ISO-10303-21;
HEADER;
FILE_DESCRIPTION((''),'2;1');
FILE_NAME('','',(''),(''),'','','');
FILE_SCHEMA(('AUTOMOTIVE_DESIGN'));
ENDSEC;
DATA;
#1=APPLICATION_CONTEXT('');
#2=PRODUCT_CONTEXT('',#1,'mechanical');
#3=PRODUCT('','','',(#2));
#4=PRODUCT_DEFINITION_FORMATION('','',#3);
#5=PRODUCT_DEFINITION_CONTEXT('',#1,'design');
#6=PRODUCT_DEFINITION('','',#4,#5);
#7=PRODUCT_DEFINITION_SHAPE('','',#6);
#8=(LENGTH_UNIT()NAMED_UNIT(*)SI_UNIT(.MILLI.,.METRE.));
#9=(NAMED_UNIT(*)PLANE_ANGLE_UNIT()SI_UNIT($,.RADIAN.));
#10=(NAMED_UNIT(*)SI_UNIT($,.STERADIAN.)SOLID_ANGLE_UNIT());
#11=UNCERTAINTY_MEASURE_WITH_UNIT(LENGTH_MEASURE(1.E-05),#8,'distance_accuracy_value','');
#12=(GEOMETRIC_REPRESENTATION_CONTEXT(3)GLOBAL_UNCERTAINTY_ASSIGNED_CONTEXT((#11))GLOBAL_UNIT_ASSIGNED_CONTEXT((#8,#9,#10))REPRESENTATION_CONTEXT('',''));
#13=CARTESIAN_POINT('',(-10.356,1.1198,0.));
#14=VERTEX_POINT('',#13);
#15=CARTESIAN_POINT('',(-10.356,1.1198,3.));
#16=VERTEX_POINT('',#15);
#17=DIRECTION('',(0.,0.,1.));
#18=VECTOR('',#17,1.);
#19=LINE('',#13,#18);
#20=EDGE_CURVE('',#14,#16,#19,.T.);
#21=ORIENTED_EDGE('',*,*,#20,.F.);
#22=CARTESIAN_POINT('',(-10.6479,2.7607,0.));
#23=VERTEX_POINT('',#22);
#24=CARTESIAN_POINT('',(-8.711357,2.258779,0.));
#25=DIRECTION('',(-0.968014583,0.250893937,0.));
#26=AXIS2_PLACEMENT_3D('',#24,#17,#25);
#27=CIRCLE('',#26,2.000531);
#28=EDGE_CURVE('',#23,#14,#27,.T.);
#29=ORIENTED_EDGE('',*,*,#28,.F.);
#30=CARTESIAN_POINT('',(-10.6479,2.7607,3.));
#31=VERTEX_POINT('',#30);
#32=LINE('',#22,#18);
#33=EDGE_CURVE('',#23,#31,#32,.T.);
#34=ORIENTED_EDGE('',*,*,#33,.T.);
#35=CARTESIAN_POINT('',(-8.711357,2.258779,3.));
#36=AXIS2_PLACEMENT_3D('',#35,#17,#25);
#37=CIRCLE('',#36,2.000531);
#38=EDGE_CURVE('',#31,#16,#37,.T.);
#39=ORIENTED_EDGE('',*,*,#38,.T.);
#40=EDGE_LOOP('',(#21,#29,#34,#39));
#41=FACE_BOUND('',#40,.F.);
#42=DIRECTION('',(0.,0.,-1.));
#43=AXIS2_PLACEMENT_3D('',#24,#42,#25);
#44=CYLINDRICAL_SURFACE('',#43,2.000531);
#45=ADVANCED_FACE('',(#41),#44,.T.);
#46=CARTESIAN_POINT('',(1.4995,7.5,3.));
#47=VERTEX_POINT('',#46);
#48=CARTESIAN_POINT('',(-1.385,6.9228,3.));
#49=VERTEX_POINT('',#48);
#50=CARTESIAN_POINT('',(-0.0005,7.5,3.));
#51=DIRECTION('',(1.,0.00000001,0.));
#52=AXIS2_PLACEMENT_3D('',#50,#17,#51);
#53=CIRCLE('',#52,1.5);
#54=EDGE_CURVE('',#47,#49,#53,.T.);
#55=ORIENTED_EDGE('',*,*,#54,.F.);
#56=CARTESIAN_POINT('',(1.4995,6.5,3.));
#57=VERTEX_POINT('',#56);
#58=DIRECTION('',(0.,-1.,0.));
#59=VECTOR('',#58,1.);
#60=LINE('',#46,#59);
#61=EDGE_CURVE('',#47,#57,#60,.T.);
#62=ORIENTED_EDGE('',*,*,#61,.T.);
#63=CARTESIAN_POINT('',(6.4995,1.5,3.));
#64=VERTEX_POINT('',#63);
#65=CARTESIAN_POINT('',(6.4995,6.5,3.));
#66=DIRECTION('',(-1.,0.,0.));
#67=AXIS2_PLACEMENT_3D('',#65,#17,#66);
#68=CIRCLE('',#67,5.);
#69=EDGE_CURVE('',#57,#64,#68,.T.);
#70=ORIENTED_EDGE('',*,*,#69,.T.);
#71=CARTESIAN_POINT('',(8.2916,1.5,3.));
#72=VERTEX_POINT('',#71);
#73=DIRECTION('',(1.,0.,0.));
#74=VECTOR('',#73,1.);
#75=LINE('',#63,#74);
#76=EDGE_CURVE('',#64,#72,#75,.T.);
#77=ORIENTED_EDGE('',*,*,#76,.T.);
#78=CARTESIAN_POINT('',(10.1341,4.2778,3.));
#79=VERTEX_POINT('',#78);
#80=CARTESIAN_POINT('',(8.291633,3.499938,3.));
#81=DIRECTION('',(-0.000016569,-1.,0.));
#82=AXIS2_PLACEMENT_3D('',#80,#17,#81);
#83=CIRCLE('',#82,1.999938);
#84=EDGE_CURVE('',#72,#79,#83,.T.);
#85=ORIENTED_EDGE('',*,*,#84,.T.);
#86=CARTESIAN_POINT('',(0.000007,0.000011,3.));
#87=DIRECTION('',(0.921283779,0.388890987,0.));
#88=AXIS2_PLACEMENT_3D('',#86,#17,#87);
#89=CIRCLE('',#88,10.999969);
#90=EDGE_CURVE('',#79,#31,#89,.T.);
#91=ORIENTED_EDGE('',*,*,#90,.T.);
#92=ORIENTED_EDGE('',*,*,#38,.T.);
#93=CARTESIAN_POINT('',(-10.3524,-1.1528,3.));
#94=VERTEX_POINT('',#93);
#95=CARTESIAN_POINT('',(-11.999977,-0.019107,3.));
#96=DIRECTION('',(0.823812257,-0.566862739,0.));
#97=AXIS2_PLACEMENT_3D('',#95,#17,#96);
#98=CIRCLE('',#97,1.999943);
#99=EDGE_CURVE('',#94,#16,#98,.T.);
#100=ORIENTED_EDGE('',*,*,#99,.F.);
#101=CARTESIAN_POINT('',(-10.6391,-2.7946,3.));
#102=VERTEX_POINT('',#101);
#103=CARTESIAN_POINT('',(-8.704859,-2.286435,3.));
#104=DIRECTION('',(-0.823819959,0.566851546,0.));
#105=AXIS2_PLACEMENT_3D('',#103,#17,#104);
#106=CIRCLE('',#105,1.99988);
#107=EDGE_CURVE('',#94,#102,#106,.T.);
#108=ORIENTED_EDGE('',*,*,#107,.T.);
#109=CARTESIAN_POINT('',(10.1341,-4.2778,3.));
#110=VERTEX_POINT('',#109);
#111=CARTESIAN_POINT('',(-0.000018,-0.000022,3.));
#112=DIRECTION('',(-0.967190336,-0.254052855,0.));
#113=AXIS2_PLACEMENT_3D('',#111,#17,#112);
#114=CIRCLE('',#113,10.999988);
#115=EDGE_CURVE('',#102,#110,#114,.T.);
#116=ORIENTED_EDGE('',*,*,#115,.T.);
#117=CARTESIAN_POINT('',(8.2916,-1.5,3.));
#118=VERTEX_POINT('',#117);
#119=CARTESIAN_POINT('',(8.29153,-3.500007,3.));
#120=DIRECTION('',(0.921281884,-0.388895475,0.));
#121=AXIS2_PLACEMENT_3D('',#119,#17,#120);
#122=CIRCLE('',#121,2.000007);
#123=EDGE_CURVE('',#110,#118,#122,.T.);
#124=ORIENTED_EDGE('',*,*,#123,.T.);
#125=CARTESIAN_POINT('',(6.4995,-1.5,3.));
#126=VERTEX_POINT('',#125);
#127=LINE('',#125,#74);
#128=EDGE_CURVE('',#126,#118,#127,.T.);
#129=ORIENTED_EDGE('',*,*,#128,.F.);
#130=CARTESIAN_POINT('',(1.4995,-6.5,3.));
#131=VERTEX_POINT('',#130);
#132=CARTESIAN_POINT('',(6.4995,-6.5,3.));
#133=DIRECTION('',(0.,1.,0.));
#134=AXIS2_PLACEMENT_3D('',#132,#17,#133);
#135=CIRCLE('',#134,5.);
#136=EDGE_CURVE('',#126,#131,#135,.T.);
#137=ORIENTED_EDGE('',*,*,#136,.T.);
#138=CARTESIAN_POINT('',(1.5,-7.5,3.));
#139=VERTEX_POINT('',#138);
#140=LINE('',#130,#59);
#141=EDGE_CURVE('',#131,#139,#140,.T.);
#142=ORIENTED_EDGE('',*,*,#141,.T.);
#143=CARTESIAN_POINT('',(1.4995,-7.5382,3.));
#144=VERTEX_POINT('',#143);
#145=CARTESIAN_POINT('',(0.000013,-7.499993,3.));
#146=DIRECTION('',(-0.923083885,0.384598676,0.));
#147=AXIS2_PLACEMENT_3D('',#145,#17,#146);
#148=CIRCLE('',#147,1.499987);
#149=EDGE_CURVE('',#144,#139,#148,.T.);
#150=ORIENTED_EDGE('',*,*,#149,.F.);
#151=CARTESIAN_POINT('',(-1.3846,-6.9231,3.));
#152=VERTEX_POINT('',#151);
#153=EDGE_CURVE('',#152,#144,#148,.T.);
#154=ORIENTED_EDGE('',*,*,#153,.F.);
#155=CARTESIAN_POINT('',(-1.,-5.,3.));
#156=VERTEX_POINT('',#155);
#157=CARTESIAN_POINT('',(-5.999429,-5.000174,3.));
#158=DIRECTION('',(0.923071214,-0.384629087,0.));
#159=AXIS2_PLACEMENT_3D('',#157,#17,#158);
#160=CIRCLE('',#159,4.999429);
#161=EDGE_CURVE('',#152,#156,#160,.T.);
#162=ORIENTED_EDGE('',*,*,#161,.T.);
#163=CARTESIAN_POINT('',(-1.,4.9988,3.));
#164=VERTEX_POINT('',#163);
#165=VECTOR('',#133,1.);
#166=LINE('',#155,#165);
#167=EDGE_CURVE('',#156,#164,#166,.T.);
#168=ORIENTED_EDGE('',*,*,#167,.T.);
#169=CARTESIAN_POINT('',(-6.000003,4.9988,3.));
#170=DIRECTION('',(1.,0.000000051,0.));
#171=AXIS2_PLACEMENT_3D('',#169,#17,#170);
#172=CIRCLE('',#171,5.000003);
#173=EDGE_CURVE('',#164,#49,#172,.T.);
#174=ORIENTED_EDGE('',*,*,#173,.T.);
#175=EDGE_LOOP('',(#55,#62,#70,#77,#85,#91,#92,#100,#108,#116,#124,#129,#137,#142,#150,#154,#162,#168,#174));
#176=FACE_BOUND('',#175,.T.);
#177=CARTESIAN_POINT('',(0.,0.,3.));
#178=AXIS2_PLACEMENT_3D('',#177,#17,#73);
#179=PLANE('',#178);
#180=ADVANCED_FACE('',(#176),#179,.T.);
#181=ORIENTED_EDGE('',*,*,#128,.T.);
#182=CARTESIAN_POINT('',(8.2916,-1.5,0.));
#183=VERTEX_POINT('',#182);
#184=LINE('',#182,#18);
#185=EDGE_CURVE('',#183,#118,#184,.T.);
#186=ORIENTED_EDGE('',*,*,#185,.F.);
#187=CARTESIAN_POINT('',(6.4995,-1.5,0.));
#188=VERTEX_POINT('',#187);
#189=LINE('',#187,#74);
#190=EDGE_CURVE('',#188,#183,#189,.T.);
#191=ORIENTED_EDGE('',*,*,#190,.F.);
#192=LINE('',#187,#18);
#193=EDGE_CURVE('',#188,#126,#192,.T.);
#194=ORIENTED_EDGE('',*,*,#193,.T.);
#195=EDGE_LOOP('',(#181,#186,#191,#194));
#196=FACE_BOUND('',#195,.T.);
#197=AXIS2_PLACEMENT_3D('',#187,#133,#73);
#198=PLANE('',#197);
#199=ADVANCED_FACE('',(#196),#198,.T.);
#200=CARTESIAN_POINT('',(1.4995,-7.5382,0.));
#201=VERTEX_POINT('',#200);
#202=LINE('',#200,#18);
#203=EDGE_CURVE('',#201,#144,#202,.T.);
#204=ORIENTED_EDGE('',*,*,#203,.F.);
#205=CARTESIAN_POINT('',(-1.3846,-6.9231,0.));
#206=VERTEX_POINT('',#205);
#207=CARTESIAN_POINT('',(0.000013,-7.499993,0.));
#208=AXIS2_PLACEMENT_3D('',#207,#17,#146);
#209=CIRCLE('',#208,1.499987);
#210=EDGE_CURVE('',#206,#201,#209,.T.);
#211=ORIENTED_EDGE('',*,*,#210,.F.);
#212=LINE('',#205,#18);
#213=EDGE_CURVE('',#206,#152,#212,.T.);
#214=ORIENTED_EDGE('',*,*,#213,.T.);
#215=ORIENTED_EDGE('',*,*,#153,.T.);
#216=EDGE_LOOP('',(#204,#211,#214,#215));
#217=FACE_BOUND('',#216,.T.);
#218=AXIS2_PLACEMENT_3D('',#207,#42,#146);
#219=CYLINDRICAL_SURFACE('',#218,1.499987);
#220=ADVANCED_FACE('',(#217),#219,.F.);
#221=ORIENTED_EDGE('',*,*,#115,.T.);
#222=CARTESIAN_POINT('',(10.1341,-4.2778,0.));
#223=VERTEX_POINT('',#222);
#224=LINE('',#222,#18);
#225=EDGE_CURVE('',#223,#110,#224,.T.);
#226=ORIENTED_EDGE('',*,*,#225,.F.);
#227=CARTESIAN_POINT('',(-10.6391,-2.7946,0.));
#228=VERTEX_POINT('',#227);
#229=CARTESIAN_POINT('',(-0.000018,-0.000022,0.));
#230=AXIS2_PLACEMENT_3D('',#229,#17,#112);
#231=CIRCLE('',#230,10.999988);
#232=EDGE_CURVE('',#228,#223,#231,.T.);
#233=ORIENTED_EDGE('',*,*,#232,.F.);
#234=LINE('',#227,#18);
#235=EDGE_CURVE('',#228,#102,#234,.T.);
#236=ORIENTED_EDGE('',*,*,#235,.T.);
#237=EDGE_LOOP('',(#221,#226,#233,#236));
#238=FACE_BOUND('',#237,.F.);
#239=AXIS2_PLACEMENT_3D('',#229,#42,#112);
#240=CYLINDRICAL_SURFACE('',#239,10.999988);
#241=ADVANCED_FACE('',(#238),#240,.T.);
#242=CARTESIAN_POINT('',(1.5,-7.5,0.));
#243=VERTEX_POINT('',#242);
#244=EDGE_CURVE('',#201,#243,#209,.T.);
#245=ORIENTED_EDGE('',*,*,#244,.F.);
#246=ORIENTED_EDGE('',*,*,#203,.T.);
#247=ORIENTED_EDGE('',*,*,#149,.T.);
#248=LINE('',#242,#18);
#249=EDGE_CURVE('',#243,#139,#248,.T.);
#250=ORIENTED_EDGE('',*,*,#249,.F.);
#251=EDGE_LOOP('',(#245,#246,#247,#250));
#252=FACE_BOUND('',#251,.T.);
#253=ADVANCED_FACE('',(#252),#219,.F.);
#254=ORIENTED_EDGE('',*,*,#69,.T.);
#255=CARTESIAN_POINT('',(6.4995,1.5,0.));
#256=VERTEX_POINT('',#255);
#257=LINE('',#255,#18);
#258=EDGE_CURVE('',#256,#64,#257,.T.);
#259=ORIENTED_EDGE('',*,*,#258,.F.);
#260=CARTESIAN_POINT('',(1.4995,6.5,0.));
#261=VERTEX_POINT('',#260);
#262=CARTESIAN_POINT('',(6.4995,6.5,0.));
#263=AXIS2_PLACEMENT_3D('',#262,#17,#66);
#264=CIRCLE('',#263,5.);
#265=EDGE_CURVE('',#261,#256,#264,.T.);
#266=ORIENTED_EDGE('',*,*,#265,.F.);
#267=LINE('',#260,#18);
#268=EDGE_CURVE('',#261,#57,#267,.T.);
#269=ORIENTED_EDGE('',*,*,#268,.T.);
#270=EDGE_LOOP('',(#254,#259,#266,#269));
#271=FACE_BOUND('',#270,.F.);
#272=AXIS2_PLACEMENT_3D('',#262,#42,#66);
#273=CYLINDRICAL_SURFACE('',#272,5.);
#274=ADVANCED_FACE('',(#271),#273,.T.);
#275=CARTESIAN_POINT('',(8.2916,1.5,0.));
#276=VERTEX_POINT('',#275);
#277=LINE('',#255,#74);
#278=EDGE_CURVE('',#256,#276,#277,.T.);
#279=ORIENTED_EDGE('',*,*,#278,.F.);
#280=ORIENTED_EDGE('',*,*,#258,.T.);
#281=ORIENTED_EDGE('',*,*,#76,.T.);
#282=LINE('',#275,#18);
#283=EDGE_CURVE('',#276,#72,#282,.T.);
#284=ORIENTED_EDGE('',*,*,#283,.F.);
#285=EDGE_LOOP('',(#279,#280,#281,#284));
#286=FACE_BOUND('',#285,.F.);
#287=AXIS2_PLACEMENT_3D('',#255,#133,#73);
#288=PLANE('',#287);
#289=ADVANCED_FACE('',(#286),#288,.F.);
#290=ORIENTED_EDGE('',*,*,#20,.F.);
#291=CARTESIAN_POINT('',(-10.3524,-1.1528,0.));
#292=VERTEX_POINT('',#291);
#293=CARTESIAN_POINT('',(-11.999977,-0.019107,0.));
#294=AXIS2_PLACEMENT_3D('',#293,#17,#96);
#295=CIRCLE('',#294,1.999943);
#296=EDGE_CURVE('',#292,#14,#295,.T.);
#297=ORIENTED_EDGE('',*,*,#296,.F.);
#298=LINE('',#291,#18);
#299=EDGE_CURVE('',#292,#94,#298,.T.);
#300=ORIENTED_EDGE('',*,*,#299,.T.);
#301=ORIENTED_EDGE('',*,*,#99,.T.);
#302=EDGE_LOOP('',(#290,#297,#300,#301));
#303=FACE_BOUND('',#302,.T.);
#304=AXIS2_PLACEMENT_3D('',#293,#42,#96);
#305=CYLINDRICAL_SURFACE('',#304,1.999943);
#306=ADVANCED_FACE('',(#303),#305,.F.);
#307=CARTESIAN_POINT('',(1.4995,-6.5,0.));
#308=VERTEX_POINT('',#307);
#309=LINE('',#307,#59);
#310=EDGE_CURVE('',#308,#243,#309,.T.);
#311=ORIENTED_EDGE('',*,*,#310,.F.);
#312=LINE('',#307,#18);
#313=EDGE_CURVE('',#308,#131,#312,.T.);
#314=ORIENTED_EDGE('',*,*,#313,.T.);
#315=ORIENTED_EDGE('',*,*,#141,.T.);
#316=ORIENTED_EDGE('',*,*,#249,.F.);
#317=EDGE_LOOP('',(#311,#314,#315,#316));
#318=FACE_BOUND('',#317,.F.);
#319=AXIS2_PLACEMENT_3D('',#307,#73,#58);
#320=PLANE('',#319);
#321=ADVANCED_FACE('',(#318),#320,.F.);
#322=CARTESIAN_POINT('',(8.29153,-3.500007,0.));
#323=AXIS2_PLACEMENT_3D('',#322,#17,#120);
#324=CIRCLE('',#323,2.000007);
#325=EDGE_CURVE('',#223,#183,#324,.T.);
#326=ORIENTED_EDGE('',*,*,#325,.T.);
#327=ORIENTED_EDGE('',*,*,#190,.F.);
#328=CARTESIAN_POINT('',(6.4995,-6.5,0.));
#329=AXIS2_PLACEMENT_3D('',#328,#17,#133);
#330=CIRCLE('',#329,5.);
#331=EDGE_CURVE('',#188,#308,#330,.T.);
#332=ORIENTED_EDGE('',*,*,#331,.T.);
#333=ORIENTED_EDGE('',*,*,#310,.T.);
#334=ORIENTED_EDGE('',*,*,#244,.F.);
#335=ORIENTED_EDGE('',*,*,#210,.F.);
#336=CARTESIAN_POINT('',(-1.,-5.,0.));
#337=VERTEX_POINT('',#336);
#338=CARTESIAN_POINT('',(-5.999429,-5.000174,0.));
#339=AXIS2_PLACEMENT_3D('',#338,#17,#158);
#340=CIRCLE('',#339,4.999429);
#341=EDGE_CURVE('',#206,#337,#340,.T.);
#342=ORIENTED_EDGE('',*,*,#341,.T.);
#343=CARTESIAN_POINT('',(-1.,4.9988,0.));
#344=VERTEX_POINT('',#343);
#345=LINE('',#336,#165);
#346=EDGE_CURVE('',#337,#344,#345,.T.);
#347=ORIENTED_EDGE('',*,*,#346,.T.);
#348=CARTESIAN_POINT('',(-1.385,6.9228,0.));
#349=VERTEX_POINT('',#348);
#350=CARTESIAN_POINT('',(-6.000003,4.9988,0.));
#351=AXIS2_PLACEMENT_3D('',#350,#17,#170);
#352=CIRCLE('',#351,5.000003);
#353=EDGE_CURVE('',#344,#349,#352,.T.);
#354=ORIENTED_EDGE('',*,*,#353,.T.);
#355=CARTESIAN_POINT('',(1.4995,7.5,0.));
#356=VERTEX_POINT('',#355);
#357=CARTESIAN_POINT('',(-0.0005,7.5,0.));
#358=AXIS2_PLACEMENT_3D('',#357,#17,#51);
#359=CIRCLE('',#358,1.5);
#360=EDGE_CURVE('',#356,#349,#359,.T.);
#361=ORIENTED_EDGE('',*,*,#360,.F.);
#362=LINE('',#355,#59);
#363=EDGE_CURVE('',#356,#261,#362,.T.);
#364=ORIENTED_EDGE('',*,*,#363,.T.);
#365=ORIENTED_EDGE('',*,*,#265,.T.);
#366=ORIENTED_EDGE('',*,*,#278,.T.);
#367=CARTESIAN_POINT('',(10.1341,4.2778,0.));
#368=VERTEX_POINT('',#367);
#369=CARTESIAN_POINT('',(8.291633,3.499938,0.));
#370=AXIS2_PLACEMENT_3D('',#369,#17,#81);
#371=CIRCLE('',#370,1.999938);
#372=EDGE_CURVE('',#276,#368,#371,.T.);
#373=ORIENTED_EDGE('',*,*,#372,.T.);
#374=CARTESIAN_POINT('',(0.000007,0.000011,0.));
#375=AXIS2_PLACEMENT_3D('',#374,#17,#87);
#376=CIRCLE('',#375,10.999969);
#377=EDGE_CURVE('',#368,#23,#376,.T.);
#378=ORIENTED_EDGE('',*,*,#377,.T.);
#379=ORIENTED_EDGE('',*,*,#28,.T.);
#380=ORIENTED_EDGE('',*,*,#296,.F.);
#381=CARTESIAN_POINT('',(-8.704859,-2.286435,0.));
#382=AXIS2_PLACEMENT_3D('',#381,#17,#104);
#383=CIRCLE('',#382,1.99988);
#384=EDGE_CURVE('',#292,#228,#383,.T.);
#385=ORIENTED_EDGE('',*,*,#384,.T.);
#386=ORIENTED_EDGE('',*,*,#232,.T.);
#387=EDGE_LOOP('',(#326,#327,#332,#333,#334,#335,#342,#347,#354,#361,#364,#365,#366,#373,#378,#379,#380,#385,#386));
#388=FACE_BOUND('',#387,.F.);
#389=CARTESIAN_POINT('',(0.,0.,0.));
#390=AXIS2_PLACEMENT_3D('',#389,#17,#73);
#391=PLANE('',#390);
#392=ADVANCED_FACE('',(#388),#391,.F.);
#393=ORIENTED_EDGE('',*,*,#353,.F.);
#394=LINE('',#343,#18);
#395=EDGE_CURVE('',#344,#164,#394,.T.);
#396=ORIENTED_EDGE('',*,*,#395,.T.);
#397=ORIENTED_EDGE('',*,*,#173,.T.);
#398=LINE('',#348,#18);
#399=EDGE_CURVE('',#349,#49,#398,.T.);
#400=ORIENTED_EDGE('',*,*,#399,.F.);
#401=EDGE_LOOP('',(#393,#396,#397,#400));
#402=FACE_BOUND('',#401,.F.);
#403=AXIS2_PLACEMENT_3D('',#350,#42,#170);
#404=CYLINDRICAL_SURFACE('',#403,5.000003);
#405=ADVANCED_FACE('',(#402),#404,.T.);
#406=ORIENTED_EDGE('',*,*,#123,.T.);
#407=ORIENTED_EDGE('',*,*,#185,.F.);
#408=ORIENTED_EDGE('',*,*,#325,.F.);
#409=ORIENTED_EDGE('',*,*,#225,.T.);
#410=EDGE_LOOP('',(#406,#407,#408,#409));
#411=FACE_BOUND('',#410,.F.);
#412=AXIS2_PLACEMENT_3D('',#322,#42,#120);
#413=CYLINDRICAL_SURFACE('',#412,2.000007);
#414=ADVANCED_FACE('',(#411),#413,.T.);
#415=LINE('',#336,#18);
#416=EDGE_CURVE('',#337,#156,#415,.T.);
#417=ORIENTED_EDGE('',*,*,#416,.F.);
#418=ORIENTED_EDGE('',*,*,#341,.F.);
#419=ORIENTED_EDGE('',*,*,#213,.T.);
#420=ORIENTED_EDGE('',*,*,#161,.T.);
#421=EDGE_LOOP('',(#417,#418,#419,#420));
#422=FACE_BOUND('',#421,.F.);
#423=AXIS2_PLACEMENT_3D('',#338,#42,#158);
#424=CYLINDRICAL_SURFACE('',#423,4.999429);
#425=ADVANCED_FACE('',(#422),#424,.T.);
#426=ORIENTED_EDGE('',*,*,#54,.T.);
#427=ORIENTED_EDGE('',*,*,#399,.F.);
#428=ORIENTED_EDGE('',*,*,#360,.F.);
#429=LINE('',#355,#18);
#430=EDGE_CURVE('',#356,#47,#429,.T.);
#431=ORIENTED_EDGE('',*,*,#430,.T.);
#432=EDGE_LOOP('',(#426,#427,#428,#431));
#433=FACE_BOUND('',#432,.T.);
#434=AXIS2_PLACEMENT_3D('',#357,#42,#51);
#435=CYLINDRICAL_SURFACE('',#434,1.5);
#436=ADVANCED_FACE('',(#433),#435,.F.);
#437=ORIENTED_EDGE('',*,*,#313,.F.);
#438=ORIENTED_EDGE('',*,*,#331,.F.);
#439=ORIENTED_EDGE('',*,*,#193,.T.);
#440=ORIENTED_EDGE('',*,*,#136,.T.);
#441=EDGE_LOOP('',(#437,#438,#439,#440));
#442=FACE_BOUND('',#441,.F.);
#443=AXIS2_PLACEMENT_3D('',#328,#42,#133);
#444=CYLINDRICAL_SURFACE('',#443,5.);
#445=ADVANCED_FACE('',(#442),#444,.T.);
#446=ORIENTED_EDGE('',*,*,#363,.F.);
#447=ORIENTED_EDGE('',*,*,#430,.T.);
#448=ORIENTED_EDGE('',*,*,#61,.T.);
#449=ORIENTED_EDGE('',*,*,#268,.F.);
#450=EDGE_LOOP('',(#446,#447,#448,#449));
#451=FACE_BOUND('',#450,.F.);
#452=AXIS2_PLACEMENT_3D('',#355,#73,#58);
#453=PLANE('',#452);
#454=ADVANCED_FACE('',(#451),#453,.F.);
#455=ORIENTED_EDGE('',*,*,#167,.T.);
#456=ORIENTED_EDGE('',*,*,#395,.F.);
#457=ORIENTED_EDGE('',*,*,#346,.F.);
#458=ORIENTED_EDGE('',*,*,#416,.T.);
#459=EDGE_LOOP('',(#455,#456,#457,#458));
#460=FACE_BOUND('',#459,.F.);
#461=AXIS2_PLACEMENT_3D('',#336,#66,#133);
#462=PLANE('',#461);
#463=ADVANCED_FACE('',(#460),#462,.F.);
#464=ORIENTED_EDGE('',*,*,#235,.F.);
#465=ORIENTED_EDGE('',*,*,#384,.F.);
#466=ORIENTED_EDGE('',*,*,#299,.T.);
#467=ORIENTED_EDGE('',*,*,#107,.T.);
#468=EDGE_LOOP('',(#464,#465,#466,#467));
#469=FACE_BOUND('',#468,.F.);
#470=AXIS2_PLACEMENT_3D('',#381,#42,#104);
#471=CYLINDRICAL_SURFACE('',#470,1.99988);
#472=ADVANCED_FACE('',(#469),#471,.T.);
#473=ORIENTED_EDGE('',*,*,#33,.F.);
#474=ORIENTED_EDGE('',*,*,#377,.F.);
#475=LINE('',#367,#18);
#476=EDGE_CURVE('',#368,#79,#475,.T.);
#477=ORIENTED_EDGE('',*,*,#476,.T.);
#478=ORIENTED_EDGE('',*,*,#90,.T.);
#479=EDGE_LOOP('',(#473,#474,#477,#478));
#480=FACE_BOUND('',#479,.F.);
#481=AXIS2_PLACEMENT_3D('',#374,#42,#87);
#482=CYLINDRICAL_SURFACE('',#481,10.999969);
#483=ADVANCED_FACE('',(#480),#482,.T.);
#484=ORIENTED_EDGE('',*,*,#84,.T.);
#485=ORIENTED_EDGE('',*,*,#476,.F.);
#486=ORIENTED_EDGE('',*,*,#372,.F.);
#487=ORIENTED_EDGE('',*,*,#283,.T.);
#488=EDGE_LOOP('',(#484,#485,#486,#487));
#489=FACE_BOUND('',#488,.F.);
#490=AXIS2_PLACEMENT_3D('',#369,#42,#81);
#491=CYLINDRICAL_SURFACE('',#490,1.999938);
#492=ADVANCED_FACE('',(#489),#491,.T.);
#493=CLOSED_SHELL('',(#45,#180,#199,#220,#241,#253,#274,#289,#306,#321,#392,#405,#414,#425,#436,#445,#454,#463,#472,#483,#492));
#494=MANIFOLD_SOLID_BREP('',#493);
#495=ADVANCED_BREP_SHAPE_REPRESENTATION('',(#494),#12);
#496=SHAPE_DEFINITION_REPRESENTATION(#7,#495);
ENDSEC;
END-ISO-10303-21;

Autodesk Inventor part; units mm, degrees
ref_plane "YZ Plane" through (0, 0, 0) normal (1, 0, 0) x (0, 1, 0)
ref_plane "XZ Plane" through (0, 0, 0) normal (0, 1, 0) x (-1, 0, 0)
ref_plane "XY Plane" through (0, 0, 0) normal (0, 0, 1) x (1, 0, 0)
sketch "Sketch1" plane through (0, 0, 0) normal (0, 0, 1) x (1, 0, 0)
  arc A0 (1.4995, 7.5) -> (-1.385, 6.9228) centre (-0.0005, 7.5) ccw
  arc A1 (-1.3846, -6.9231) -> (1.5, -7.5) centre (0, -7.5) ccw
  arc A2 (-10.3524, -1.1528) -> (-10.356, 1.1198) centre (-12, -0.0191) ccw
  arc A3 (10.1341, 4.2778) -> (-10.6479, 2.7607) centre (0, 0) ccw
  arc A4 (-10.6391, -2.7946) -> (10.1341, -4.2778) centre (0, 0) ccw
  arc A5 (-10.6479, 2.7607) -> (-10.356, 1.1198) centre (-8.7119, 2.2588) ccw
  arc A6 (-10.3524, -1.1528) -> (-10.6391, -2.7946) centre (-8.7047, -2.2865) ccw
  line L0 (-1, -5) -> (-1, 4.9988)
  arc A7 (-1, 4.9988) -> (-1.385, 6.9228) centre (-6, 4.9988) ccw
  arc A8 (-1.3846, -6.9231) -> (-1, -5) centre (-6, -5) ccw
  line L1 (1.4995, 7.5) -> (1.4995, 6.5)
  line L2 (1.4995, -6.5) -> (1.4995, -7.5382)
  line L3 (6.4995, -1.5) -> (8.2916, -1.5)
  line L4 (6.4995, 1.5) -> (8.2916, 1.5)
  arc A9 (6.4995, -1.5) -> (1.4995, -6.5) centre (6.4995, -6.5) ccw
  arc A10 (1.4995, 6.5) -> (6.4995, 1.5) centre (6.4995, 6.5) ccw
  arc A11 (10.1341, -4.2778) -> (8.2916, -1.5) centre (8.2916, -3.5) ccw
  arc A12 (8.2916, 1.5) -> (10.1341, 4.2778) centre (8.2916, 3.5) ccw
  point P0 (10.8972, -1.5)
  point P1 (10.8972, 1.5)
  point P2 (1.4995, 1.5)
  point P3 (1.4995, -1.5)
  point P4 (-1, -6.382)
  point P5 (-1, 6.3815)
  dimension "d5" = 3
  dimension "d6" = 3
  dimension "d7" = 15
  dimension "d18" = 7.5
  dimension "d20" = 4
  dimension "d21" = 12
  dimension "d22" = 2
  dimension "d26" = 5
  dimension "d27" = 5
  dimension "d28" = 2
extrude "Extrusion2" add sketch "Sketch1" along normal blind 3
properties part number "Middle Endcap080813" material "Polycarbonate, Clear"
